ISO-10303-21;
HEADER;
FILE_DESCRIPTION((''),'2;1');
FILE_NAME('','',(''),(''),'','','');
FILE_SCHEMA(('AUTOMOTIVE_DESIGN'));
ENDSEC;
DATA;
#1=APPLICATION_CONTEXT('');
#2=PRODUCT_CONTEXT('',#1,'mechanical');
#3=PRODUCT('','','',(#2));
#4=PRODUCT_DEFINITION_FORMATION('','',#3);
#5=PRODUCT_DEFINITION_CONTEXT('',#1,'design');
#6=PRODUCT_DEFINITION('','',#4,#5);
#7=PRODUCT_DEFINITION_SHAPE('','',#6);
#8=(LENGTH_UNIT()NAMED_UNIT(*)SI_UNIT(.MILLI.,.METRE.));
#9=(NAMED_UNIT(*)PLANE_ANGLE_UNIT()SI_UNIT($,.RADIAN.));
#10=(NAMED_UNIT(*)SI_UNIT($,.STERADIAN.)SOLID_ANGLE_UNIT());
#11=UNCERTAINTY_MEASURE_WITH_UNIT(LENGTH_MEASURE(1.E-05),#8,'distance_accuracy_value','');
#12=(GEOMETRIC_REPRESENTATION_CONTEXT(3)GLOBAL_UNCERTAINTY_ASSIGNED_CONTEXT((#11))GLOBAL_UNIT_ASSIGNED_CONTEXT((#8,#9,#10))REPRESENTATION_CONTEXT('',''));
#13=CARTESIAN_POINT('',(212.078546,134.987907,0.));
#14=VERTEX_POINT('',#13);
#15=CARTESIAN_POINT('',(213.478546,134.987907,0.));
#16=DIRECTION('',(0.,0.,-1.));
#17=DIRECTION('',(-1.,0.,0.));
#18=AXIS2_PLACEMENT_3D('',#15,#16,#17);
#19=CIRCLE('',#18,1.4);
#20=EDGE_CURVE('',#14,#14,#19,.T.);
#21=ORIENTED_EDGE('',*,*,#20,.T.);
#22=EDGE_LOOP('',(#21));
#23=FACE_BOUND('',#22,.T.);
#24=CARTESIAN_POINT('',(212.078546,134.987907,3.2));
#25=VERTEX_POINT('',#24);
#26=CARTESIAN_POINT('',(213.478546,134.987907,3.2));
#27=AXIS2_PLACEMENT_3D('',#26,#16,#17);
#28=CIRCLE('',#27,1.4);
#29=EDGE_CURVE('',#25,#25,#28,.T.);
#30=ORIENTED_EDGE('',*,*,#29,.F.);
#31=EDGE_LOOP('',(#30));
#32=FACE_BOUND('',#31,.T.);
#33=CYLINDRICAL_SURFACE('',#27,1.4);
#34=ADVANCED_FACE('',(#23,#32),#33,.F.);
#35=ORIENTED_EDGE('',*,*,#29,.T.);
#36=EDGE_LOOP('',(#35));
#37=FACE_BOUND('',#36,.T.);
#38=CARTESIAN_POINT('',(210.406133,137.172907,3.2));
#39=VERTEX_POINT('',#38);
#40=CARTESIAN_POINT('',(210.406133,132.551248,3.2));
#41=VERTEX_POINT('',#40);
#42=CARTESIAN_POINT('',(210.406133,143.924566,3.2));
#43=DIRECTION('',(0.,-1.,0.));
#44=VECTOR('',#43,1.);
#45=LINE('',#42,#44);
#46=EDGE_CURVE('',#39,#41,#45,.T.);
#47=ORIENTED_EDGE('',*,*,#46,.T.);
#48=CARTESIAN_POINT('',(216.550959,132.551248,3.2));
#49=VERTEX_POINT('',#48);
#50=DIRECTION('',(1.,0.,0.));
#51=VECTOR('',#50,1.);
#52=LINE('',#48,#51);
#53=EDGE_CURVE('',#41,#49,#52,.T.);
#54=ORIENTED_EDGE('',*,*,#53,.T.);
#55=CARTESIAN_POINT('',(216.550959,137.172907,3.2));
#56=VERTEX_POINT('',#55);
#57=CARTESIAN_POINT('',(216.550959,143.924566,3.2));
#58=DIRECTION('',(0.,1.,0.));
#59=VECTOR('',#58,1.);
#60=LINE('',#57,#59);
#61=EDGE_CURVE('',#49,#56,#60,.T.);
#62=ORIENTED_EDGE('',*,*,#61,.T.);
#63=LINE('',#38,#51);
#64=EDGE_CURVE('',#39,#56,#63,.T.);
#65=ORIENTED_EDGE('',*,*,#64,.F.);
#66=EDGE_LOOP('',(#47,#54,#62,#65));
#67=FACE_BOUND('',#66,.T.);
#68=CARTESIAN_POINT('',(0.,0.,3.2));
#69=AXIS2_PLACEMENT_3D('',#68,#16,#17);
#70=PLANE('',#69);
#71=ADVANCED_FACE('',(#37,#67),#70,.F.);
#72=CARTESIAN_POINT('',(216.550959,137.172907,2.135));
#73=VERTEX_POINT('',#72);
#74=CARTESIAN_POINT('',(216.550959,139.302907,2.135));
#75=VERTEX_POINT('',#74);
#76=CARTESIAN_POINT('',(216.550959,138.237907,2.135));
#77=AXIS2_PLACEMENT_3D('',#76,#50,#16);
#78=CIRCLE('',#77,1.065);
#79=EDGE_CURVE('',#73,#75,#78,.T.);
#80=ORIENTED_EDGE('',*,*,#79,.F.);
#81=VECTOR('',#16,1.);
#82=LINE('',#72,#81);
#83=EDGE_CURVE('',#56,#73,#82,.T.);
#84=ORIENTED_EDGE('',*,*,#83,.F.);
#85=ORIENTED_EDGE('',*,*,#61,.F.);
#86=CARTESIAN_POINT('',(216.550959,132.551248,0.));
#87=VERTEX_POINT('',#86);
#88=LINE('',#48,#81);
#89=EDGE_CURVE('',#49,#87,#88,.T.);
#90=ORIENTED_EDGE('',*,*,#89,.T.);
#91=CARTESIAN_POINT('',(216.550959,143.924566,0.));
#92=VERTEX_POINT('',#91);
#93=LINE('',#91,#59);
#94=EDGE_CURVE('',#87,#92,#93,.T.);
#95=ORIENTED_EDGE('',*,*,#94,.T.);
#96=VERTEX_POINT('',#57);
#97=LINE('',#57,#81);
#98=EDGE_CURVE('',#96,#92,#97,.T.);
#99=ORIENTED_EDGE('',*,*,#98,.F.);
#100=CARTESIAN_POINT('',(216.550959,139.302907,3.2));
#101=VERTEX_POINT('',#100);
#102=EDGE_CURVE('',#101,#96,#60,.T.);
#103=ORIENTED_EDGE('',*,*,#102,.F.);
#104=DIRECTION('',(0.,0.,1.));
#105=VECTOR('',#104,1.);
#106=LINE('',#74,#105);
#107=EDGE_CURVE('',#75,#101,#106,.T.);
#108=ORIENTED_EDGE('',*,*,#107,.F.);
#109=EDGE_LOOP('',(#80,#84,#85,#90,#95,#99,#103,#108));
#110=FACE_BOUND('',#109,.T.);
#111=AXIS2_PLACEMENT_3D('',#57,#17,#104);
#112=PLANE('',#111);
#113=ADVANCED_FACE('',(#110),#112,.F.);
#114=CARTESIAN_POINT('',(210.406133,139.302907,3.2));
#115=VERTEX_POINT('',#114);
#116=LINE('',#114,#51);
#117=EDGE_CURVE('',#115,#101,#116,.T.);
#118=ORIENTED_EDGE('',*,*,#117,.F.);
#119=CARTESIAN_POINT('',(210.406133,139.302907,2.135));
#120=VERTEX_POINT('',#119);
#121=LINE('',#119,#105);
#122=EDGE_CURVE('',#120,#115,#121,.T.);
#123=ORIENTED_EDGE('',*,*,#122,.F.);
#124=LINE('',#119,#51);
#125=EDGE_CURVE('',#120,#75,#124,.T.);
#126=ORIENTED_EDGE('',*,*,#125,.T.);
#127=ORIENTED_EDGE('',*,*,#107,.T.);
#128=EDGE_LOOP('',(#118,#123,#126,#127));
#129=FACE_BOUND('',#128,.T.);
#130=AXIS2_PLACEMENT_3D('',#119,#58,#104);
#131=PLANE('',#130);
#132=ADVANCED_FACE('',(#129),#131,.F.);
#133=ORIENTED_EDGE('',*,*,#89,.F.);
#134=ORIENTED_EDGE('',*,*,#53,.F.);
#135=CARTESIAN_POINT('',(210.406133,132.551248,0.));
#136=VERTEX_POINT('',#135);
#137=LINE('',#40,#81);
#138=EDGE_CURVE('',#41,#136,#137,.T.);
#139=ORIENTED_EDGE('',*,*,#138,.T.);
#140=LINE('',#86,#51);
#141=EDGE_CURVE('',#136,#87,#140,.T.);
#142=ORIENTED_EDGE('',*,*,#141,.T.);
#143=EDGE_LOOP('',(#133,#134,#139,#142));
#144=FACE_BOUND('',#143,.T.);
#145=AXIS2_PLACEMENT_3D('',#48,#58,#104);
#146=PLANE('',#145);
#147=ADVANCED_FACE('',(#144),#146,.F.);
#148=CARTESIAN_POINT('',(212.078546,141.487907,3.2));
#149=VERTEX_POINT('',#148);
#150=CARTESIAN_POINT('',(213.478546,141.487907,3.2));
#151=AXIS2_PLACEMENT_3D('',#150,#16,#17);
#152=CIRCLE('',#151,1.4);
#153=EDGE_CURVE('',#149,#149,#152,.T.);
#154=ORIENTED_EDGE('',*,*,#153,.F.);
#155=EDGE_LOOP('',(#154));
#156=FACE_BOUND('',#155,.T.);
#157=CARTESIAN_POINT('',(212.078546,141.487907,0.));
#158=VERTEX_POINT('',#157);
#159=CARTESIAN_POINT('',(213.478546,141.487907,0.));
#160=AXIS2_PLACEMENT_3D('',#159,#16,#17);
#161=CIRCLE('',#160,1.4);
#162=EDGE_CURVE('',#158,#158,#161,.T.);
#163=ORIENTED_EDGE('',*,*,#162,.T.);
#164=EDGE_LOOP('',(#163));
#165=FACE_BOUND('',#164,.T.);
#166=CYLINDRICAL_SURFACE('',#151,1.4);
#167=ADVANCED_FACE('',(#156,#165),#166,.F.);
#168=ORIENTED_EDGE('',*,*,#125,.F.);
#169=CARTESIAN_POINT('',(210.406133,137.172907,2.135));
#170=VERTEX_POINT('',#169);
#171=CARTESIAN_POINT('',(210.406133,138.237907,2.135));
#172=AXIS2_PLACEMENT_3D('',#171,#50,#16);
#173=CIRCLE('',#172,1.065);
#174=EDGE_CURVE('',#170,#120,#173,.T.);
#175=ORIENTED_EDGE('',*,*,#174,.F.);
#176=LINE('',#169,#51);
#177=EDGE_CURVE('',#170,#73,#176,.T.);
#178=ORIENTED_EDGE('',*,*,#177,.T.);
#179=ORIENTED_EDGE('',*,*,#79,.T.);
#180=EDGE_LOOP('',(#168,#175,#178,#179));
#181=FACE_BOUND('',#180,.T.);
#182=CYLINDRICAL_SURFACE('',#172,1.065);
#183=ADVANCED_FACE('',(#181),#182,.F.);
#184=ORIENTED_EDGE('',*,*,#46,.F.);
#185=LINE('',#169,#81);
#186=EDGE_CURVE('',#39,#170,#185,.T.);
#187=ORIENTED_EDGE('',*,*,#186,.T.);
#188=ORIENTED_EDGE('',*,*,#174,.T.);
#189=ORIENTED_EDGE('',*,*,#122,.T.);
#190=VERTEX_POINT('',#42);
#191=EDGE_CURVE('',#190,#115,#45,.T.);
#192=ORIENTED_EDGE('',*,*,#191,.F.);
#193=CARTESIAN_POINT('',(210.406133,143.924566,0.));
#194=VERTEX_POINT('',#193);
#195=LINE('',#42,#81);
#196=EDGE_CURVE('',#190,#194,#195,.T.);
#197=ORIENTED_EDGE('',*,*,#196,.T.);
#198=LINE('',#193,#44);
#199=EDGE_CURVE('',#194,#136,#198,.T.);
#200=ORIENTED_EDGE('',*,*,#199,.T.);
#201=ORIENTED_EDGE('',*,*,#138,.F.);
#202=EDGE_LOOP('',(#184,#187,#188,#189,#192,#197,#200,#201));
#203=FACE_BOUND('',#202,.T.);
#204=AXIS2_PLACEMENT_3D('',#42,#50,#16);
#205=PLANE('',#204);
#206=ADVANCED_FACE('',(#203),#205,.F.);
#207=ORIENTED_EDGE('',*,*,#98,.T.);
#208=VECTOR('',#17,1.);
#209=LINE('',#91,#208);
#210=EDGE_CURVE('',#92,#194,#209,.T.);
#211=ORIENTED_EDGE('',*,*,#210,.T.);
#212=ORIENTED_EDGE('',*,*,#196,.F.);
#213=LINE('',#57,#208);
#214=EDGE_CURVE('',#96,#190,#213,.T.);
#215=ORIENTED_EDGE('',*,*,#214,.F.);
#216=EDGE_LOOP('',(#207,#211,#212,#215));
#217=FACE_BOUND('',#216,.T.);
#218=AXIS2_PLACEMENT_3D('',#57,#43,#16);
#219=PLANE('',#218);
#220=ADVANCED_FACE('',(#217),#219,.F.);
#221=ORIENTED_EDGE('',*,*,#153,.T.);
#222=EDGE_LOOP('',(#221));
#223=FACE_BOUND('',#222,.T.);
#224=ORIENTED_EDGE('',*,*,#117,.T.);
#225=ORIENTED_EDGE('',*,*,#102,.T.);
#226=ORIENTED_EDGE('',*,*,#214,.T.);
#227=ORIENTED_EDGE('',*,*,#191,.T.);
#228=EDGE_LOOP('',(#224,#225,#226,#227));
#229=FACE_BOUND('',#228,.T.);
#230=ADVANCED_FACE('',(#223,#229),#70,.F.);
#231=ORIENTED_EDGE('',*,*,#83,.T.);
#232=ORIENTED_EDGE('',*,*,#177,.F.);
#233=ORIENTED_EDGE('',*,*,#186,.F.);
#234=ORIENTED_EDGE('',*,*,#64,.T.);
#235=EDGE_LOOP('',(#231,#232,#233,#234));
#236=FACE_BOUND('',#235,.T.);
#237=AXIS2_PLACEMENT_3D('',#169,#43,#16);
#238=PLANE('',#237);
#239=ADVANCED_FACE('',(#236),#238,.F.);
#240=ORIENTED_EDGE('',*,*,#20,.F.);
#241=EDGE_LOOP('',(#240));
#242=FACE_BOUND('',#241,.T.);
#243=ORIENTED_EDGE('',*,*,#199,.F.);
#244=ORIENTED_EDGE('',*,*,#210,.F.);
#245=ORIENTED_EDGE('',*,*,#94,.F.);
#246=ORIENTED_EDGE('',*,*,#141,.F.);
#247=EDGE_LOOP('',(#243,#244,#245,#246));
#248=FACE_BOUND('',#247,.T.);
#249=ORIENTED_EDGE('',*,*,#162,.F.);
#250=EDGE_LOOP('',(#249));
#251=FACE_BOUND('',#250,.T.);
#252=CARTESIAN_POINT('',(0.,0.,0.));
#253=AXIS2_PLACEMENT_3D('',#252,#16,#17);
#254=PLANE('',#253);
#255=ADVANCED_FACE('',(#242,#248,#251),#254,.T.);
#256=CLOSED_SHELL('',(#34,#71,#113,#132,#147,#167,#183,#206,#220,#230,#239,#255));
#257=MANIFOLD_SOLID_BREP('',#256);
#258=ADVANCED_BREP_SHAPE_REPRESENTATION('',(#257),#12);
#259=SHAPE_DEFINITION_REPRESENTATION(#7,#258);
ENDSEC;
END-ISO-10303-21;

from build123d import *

# Parameters (mm, degrees)
SKETCH1_W           = 6.14482622
SKETCH1_H           = 11.373318705
BOSS_EXTRUDE1_DEPTH = 3.2
SKETCH2_R           = 1.4
CUT_EXTRUDE1_DEPTH  = 261.036225732
CUT_EXTRUDE2_DEPTH  = 145.0912201


with BuildPart() as part:
    # Sketch1 → Boss-Extrude1 (new body)
    with BuildSketch(Plane.XY):
        with Locations((213.478545955, 138.237907074)):
            Rectangle(SKETCH1_W, SKETCH1_H)
    extrude(amount=BOSS_EXTRUDE1_DEPTH)

    # Sketch2 → Cut-Extrude1 (cut, through all)
    with BuildSketch(Plane(origin=(0, 0, 0), x_dir=(-1, 0, 0), z_dir=(0, 0, -1))):
        with Locations((-213.478545955, 141.487907073)):
            Circle(SKETCH2_R)
        with Locations((-213.478545955, 134.987907073)):
            Circle(SKETCH2_R)
    extrude(amount=-CUT_EXTRUDE1_DEPTH, mode=Mode.SUBTRACT)

    # Sketch3 → Cut-Extrude2 (cut, through all)
    with BuildSketch(Plane(origin=(216.550959065, 0, 0), x_dir=(0, 0, -1), z_dir=(1, 0, 0))):
        with BuildLine():
            Line((-2.135, 137.172907073), (-3.2, 137.172907073))
            Line((-3.2, 137.172907073), (-3.2, 139.302907073))
            Line((-3.2, 139.302907073), (-2.135, 139.302907073))
            ThreePointArc((-2.135, 139.302907073), (-1.07, 138.237907073), (-2.135, 137.172907073))
        make_face()
    extrude(amount=-CUT_EXTRUDE2_DEPTH, mode=Mode.SUBTRACT)


solid = part.part
